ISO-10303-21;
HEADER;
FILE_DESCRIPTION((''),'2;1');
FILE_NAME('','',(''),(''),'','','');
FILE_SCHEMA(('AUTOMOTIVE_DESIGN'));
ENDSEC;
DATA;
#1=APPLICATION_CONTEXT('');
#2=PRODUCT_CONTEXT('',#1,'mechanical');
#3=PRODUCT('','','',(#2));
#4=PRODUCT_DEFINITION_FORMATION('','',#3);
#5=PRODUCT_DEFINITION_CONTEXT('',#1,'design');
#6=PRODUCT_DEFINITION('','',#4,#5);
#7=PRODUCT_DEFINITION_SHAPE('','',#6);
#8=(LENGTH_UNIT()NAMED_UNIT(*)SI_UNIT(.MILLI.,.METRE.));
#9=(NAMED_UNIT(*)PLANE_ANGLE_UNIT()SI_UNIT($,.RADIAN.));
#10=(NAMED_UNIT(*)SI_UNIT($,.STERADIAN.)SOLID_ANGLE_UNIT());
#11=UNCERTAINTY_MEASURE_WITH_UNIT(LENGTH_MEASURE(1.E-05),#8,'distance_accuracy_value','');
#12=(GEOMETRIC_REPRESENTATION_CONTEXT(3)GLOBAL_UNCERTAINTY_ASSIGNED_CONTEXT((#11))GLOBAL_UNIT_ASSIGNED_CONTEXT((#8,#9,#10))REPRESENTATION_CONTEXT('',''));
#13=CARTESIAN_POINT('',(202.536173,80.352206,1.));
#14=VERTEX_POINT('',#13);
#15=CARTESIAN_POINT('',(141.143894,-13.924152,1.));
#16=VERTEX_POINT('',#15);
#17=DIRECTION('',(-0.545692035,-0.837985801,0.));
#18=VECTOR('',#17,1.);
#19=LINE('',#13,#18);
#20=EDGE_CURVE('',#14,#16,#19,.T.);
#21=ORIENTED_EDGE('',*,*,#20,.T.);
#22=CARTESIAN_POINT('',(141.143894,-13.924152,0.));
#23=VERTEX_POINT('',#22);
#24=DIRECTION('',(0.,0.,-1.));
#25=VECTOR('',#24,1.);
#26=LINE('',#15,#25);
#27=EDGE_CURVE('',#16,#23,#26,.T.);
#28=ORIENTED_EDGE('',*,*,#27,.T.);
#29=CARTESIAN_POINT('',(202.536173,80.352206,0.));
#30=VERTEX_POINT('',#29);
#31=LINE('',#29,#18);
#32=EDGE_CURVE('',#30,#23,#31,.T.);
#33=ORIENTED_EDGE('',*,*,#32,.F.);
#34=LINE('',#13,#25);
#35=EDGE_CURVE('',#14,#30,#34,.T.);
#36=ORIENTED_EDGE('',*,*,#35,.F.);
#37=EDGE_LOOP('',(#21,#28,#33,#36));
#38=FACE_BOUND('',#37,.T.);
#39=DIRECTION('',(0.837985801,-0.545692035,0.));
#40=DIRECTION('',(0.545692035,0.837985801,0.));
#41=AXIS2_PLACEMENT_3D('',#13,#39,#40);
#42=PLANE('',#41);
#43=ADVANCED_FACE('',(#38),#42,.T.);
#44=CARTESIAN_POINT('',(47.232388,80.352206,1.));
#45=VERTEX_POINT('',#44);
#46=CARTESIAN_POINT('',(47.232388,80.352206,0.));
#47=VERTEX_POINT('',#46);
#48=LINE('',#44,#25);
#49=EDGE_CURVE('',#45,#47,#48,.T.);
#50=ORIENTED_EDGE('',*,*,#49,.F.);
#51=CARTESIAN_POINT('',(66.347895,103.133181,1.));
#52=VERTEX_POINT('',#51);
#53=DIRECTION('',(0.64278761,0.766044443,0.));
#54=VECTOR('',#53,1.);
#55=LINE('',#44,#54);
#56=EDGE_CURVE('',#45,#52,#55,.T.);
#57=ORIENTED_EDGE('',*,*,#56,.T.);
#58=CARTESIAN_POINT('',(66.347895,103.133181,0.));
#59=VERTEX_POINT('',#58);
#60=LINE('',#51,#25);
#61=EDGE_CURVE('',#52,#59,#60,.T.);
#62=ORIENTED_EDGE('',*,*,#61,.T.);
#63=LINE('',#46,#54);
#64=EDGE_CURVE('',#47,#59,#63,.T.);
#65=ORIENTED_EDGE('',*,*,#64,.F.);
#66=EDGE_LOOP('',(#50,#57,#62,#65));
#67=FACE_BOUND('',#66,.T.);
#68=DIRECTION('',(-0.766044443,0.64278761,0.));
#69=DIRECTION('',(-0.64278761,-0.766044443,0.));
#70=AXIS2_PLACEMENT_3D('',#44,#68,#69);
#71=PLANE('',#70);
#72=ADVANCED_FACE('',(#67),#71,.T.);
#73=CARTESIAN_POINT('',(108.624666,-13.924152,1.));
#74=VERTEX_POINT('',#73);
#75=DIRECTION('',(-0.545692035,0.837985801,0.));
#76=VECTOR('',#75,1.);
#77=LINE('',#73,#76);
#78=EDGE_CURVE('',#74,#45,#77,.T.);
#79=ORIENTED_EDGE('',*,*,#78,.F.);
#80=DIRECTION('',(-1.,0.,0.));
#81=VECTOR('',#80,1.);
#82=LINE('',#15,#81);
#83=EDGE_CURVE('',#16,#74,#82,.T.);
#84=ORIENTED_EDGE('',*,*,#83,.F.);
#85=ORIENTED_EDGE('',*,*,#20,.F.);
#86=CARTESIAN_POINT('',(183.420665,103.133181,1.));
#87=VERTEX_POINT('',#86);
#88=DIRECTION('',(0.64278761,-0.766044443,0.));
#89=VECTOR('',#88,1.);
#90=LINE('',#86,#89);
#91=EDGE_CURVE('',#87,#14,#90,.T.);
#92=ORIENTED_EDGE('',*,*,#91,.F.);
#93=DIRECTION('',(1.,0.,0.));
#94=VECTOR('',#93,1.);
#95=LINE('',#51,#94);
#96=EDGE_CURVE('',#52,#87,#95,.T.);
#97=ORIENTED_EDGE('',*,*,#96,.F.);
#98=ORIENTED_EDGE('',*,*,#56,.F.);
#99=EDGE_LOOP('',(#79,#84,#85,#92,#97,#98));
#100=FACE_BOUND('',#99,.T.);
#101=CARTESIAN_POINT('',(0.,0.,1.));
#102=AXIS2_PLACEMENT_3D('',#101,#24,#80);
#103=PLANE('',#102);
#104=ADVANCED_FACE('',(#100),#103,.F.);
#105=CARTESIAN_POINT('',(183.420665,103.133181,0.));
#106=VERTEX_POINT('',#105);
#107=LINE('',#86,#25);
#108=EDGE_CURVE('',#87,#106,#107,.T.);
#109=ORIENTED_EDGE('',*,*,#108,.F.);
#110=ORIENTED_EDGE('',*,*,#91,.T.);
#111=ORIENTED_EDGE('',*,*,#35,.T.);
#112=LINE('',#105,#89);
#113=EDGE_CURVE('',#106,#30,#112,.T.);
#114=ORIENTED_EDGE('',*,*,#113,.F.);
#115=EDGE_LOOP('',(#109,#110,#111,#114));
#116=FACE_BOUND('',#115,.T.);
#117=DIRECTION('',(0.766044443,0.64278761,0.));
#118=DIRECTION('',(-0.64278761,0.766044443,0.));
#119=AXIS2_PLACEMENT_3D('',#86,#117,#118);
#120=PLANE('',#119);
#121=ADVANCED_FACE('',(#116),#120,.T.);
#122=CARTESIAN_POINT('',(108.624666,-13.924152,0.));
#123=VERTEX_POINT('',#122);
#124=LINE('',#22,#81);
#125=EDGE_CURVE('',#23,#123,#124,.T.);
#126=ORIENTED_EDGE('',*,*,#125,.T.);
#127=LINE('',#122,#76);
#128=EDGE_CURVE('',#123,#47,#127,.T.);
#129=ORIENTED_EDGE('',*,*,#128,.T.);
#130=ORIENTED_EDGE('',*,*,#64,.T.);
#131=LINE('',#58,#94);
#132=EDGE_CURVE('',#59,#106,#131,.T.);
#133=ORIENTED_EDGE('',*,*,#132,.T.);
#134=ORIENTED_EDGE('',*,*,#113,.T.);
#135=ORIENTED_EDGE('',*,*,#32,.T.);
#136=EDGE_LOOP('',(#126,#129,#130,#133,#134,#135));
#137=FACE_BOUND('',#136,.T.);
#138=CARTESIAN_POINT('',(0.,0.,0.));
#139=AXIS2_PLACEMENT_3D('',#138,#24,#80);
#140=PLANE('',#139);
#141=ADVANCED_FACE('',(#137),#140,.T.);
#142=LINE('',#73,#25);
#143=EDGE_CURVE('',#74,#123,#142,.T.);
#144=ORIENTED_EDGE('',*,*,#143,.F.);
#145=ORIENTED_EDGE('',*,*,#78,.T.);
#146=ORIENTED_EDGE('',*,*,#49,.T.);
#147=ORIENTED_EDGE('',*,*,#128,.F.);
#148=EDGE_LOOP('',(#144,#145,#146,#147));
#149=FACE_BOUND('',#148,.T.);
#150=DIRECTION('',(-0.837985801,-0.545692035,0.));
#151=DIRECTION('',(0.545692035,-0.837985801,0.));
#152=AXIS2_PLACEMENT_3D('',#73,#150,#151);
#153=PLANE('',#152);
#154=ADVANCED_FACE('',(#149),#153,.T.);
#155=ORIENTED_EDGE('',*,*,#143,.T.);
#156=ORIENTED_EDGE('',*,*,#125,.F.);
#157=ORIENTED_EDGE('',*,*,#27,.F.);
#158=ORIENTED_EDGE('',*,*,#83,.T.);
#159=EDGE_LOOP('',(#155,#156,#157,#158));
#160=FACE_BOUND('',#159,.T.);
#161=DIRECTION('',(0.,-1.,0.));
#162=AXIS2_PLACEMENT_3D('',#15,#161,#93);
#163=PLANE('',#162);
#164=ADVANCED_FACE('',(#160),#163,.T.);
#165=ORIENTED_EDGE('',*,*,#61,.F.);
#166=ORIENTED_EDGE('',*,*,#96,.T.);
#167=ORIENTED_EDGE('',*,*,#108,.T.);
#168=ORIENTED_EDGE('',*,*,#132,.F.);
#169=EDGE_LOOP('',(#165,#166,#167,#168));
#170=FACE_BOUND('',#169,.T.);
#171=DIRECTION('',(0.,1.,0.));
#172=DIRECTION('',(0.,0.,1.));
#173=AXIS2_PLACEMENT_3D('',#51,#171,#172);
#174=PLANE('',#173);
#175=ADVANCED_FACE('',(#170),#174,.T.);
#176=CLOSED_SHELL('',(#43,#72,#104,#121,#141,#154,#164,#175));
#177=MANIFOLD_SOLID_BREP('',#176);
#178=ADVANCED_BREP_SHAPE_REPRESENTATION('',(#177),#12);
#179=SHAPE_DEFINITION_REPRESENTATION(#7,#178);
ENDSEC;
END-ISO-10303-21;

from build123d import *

# Parameters (mm, degrees)
BOSS_EXTRU_1_DEPTH = 1


with BuildPart() as part:
    # Esquisse1 → Boss.-Extru.1 (new body)
    with BuildSketch(Plane.XY):
        Polygon((183.420664961, 103.133180924), (202.536172587, 80.352206037), (141.143894058, -13.924152046), (108.624666053, -13.924152046), (47.232387524, 80.352206037), (66.34789515, 103.133180924), align=None)
    extrude(amount=BOSS_EXTRU_1_DEPTH)


solid = part.part
